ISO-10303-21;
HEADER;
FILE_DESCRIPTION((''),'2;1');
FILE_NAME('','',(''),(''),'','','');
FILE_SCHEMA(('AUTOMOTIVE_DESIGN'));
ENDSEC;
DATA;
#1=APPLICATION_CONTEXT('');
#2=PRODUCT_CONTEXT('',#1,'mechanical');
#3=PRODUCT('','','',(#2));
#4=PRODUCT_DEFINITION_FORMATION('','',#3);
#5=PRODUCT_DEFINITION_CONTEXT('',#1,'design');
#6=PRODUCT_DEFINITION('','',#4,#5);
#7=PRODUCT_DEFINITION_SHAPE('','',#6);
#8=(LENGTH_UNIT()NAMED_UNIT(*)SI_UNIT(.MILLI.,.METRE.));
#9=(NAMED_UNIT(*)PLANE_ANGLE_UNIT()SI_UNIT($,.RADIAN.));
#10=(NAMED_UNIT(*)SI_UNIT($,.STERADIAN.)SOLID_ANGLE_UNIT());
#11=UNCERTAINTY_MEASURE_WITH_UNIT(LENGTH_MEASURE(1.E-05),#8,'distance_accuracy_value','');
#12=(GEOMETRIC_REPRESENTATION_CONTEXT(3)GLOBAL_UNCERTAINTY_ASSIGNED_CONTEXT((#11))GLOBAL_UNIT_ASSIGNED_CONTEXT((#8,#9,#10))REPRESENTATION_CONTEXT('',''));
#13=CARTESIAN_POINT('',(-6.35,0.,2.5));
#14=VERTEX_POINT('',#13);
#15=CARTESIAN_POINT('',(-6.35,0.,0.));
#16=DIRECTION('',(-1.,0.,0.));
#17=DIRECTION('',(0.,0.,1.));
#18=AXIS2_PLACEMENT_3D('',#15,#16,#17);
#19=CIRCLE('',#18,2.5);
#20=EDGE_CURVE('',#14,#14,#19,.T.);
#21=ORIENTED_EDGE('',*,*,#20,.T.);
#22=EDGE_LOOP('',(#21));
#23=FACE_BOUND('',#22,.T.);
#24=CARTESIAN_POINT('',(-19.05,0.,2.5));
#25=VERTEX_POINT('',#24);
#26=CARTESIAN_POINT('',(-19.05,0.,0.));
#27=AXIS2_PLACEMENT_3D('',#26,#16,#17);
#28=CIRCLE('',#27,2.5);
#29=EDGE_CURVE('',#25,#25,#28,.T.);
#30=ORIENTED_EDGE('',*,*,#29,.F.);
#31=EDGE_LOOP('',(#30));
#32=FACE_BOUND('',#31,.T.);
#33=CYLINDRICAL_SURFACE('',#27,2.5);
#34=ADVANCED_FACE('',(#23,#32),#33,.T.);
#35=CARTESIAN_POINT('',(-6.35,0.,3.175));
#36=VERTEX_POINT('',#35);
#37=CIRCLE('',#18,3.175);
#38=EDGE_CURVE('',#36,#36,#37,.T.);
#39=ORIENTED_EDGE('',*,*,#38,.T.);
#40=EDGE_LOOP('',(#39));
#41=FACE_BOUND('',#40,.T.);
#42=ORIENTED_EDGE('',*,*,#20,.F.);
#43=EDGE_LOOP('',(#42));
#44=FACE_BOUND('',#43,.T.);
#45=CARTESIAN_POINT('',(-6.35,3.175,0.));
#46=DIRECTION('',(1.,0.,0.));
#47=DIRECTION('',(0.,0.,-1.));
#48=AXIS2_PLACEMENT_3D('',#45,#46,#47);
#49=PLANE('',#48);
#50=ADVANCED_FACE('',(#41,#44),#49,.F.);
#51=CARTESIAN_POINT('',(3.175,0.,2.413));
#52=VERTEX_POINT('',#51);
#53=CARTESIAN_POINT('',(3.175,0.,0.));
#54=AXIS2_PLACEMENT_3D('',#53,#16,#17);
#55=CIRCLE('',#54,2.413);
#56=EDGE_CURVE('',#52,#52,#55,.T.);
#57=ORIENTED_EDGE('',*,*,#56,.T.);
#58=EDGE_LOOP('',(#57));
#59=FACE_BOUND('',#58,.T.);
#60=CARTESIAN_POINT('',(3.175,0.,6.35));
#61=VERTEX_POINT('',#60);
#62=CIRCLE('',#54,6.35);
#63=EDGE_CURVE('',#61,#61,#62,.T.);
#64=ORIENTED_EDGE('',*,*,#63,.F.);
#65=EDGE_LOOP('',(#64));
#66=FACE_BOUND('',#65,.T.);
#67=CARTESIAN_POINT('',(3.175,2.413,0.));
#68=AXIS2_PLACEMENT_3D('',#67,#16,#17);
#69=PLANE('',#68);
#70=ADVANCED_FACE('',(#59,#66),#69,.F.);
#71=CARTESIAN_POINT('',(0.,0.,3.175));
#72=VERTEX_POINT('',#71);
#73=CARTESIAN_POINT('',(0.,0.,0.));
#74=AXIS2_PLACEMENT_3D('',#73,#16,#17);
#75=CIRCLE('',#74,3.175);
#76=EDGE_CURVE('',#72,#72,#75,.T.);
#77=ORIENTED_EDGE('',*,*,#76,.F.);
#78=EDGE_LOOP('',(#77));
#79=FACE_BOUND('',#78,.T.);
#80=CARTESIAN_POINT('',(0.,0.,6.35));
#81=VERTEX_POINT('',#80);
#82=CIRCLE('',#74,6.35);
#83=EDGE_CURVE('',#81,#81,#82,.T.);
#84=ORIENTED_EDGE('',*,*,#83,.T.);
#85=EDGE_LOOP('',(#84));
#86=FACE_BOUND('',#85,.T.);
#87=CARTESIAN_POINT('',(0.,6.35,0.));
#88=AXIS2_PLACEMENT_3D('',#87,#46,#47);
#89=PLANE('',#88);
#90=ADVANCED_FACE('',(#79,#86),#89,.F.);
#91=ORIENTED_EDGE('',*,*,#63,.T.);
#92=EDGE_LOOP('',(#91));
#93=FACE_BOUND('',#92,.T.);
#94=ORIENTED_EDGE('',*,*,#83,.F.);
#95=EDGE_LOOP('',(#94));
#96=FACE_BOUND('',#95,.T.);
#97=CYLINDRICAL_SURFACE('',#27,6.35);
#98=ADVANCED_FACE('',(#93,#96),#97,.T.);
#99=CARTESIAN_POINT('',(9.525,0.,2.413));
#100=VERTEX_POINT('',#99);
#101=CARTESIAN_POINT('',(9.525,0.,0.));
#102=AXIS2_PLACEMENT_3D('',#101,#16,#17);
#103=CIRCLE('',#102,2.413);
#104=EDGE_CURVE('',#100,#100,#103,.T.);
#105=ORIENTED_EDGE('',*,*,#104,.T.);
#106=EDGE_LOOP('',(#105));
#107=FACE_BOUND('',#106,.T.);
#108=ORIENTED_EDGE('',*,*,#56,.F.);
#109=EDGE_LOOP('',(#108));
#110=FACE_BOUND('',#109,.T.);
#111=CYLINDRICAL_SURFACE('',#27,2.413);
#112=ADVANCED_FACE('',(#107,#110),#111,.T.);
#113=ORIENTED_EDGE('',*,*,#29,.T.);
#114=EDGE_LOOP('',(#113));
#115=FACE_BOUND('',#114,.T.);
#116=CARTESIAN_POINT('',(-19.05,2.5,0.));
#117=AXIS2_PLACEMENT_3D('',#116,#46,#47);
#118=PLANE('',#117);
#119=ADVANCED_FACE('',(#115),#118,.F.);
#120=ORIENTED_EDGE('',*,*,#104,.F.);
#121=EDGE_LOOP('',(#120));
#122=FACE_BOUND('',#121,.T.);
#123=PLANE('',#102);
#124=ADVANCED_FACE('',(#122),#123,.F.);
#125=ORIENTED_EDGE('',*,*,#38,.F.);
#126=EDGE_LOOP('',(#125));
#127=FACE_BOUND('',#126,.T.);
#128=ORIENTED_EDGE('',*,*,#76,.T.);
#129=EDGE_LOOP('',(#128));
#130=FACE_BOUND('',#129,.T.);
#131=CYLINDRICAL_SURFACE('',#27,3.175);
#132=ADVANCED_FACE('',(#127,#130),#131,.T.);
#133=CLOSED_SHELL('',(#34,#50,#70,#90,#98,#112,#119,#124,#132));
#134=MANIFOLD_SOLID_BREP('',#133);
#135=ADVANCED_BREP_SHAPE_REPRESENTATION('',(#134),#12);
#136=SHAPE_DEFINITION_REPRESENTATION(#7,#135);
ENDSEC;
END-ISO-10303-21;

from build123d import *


with BuildPart() as part:
    # Sketch1 → Revolve1 (revolve)
    with BuildSketch(Plane.XY, mode=Mode.PRIVATE) as revolve1_sk:
        Polygon((0, 0), (9.525, 0), (9.525, 2.413), (3.175, 2.413), (3.175, 6.35), (0, 6.35), (0, 3.175), (-6.35, 3.175), (-6.35, 2.5), (-19.05, 2.5), (-19.05, 0), align=None)
    revolve(revolve1_sk.sketch.rotate(Axis((-19.05, 0, 0), (1, 0, 0)), 90), axis=Axis((-19.05, 0, 0), (1, 0, 0)))


solid = part.part
